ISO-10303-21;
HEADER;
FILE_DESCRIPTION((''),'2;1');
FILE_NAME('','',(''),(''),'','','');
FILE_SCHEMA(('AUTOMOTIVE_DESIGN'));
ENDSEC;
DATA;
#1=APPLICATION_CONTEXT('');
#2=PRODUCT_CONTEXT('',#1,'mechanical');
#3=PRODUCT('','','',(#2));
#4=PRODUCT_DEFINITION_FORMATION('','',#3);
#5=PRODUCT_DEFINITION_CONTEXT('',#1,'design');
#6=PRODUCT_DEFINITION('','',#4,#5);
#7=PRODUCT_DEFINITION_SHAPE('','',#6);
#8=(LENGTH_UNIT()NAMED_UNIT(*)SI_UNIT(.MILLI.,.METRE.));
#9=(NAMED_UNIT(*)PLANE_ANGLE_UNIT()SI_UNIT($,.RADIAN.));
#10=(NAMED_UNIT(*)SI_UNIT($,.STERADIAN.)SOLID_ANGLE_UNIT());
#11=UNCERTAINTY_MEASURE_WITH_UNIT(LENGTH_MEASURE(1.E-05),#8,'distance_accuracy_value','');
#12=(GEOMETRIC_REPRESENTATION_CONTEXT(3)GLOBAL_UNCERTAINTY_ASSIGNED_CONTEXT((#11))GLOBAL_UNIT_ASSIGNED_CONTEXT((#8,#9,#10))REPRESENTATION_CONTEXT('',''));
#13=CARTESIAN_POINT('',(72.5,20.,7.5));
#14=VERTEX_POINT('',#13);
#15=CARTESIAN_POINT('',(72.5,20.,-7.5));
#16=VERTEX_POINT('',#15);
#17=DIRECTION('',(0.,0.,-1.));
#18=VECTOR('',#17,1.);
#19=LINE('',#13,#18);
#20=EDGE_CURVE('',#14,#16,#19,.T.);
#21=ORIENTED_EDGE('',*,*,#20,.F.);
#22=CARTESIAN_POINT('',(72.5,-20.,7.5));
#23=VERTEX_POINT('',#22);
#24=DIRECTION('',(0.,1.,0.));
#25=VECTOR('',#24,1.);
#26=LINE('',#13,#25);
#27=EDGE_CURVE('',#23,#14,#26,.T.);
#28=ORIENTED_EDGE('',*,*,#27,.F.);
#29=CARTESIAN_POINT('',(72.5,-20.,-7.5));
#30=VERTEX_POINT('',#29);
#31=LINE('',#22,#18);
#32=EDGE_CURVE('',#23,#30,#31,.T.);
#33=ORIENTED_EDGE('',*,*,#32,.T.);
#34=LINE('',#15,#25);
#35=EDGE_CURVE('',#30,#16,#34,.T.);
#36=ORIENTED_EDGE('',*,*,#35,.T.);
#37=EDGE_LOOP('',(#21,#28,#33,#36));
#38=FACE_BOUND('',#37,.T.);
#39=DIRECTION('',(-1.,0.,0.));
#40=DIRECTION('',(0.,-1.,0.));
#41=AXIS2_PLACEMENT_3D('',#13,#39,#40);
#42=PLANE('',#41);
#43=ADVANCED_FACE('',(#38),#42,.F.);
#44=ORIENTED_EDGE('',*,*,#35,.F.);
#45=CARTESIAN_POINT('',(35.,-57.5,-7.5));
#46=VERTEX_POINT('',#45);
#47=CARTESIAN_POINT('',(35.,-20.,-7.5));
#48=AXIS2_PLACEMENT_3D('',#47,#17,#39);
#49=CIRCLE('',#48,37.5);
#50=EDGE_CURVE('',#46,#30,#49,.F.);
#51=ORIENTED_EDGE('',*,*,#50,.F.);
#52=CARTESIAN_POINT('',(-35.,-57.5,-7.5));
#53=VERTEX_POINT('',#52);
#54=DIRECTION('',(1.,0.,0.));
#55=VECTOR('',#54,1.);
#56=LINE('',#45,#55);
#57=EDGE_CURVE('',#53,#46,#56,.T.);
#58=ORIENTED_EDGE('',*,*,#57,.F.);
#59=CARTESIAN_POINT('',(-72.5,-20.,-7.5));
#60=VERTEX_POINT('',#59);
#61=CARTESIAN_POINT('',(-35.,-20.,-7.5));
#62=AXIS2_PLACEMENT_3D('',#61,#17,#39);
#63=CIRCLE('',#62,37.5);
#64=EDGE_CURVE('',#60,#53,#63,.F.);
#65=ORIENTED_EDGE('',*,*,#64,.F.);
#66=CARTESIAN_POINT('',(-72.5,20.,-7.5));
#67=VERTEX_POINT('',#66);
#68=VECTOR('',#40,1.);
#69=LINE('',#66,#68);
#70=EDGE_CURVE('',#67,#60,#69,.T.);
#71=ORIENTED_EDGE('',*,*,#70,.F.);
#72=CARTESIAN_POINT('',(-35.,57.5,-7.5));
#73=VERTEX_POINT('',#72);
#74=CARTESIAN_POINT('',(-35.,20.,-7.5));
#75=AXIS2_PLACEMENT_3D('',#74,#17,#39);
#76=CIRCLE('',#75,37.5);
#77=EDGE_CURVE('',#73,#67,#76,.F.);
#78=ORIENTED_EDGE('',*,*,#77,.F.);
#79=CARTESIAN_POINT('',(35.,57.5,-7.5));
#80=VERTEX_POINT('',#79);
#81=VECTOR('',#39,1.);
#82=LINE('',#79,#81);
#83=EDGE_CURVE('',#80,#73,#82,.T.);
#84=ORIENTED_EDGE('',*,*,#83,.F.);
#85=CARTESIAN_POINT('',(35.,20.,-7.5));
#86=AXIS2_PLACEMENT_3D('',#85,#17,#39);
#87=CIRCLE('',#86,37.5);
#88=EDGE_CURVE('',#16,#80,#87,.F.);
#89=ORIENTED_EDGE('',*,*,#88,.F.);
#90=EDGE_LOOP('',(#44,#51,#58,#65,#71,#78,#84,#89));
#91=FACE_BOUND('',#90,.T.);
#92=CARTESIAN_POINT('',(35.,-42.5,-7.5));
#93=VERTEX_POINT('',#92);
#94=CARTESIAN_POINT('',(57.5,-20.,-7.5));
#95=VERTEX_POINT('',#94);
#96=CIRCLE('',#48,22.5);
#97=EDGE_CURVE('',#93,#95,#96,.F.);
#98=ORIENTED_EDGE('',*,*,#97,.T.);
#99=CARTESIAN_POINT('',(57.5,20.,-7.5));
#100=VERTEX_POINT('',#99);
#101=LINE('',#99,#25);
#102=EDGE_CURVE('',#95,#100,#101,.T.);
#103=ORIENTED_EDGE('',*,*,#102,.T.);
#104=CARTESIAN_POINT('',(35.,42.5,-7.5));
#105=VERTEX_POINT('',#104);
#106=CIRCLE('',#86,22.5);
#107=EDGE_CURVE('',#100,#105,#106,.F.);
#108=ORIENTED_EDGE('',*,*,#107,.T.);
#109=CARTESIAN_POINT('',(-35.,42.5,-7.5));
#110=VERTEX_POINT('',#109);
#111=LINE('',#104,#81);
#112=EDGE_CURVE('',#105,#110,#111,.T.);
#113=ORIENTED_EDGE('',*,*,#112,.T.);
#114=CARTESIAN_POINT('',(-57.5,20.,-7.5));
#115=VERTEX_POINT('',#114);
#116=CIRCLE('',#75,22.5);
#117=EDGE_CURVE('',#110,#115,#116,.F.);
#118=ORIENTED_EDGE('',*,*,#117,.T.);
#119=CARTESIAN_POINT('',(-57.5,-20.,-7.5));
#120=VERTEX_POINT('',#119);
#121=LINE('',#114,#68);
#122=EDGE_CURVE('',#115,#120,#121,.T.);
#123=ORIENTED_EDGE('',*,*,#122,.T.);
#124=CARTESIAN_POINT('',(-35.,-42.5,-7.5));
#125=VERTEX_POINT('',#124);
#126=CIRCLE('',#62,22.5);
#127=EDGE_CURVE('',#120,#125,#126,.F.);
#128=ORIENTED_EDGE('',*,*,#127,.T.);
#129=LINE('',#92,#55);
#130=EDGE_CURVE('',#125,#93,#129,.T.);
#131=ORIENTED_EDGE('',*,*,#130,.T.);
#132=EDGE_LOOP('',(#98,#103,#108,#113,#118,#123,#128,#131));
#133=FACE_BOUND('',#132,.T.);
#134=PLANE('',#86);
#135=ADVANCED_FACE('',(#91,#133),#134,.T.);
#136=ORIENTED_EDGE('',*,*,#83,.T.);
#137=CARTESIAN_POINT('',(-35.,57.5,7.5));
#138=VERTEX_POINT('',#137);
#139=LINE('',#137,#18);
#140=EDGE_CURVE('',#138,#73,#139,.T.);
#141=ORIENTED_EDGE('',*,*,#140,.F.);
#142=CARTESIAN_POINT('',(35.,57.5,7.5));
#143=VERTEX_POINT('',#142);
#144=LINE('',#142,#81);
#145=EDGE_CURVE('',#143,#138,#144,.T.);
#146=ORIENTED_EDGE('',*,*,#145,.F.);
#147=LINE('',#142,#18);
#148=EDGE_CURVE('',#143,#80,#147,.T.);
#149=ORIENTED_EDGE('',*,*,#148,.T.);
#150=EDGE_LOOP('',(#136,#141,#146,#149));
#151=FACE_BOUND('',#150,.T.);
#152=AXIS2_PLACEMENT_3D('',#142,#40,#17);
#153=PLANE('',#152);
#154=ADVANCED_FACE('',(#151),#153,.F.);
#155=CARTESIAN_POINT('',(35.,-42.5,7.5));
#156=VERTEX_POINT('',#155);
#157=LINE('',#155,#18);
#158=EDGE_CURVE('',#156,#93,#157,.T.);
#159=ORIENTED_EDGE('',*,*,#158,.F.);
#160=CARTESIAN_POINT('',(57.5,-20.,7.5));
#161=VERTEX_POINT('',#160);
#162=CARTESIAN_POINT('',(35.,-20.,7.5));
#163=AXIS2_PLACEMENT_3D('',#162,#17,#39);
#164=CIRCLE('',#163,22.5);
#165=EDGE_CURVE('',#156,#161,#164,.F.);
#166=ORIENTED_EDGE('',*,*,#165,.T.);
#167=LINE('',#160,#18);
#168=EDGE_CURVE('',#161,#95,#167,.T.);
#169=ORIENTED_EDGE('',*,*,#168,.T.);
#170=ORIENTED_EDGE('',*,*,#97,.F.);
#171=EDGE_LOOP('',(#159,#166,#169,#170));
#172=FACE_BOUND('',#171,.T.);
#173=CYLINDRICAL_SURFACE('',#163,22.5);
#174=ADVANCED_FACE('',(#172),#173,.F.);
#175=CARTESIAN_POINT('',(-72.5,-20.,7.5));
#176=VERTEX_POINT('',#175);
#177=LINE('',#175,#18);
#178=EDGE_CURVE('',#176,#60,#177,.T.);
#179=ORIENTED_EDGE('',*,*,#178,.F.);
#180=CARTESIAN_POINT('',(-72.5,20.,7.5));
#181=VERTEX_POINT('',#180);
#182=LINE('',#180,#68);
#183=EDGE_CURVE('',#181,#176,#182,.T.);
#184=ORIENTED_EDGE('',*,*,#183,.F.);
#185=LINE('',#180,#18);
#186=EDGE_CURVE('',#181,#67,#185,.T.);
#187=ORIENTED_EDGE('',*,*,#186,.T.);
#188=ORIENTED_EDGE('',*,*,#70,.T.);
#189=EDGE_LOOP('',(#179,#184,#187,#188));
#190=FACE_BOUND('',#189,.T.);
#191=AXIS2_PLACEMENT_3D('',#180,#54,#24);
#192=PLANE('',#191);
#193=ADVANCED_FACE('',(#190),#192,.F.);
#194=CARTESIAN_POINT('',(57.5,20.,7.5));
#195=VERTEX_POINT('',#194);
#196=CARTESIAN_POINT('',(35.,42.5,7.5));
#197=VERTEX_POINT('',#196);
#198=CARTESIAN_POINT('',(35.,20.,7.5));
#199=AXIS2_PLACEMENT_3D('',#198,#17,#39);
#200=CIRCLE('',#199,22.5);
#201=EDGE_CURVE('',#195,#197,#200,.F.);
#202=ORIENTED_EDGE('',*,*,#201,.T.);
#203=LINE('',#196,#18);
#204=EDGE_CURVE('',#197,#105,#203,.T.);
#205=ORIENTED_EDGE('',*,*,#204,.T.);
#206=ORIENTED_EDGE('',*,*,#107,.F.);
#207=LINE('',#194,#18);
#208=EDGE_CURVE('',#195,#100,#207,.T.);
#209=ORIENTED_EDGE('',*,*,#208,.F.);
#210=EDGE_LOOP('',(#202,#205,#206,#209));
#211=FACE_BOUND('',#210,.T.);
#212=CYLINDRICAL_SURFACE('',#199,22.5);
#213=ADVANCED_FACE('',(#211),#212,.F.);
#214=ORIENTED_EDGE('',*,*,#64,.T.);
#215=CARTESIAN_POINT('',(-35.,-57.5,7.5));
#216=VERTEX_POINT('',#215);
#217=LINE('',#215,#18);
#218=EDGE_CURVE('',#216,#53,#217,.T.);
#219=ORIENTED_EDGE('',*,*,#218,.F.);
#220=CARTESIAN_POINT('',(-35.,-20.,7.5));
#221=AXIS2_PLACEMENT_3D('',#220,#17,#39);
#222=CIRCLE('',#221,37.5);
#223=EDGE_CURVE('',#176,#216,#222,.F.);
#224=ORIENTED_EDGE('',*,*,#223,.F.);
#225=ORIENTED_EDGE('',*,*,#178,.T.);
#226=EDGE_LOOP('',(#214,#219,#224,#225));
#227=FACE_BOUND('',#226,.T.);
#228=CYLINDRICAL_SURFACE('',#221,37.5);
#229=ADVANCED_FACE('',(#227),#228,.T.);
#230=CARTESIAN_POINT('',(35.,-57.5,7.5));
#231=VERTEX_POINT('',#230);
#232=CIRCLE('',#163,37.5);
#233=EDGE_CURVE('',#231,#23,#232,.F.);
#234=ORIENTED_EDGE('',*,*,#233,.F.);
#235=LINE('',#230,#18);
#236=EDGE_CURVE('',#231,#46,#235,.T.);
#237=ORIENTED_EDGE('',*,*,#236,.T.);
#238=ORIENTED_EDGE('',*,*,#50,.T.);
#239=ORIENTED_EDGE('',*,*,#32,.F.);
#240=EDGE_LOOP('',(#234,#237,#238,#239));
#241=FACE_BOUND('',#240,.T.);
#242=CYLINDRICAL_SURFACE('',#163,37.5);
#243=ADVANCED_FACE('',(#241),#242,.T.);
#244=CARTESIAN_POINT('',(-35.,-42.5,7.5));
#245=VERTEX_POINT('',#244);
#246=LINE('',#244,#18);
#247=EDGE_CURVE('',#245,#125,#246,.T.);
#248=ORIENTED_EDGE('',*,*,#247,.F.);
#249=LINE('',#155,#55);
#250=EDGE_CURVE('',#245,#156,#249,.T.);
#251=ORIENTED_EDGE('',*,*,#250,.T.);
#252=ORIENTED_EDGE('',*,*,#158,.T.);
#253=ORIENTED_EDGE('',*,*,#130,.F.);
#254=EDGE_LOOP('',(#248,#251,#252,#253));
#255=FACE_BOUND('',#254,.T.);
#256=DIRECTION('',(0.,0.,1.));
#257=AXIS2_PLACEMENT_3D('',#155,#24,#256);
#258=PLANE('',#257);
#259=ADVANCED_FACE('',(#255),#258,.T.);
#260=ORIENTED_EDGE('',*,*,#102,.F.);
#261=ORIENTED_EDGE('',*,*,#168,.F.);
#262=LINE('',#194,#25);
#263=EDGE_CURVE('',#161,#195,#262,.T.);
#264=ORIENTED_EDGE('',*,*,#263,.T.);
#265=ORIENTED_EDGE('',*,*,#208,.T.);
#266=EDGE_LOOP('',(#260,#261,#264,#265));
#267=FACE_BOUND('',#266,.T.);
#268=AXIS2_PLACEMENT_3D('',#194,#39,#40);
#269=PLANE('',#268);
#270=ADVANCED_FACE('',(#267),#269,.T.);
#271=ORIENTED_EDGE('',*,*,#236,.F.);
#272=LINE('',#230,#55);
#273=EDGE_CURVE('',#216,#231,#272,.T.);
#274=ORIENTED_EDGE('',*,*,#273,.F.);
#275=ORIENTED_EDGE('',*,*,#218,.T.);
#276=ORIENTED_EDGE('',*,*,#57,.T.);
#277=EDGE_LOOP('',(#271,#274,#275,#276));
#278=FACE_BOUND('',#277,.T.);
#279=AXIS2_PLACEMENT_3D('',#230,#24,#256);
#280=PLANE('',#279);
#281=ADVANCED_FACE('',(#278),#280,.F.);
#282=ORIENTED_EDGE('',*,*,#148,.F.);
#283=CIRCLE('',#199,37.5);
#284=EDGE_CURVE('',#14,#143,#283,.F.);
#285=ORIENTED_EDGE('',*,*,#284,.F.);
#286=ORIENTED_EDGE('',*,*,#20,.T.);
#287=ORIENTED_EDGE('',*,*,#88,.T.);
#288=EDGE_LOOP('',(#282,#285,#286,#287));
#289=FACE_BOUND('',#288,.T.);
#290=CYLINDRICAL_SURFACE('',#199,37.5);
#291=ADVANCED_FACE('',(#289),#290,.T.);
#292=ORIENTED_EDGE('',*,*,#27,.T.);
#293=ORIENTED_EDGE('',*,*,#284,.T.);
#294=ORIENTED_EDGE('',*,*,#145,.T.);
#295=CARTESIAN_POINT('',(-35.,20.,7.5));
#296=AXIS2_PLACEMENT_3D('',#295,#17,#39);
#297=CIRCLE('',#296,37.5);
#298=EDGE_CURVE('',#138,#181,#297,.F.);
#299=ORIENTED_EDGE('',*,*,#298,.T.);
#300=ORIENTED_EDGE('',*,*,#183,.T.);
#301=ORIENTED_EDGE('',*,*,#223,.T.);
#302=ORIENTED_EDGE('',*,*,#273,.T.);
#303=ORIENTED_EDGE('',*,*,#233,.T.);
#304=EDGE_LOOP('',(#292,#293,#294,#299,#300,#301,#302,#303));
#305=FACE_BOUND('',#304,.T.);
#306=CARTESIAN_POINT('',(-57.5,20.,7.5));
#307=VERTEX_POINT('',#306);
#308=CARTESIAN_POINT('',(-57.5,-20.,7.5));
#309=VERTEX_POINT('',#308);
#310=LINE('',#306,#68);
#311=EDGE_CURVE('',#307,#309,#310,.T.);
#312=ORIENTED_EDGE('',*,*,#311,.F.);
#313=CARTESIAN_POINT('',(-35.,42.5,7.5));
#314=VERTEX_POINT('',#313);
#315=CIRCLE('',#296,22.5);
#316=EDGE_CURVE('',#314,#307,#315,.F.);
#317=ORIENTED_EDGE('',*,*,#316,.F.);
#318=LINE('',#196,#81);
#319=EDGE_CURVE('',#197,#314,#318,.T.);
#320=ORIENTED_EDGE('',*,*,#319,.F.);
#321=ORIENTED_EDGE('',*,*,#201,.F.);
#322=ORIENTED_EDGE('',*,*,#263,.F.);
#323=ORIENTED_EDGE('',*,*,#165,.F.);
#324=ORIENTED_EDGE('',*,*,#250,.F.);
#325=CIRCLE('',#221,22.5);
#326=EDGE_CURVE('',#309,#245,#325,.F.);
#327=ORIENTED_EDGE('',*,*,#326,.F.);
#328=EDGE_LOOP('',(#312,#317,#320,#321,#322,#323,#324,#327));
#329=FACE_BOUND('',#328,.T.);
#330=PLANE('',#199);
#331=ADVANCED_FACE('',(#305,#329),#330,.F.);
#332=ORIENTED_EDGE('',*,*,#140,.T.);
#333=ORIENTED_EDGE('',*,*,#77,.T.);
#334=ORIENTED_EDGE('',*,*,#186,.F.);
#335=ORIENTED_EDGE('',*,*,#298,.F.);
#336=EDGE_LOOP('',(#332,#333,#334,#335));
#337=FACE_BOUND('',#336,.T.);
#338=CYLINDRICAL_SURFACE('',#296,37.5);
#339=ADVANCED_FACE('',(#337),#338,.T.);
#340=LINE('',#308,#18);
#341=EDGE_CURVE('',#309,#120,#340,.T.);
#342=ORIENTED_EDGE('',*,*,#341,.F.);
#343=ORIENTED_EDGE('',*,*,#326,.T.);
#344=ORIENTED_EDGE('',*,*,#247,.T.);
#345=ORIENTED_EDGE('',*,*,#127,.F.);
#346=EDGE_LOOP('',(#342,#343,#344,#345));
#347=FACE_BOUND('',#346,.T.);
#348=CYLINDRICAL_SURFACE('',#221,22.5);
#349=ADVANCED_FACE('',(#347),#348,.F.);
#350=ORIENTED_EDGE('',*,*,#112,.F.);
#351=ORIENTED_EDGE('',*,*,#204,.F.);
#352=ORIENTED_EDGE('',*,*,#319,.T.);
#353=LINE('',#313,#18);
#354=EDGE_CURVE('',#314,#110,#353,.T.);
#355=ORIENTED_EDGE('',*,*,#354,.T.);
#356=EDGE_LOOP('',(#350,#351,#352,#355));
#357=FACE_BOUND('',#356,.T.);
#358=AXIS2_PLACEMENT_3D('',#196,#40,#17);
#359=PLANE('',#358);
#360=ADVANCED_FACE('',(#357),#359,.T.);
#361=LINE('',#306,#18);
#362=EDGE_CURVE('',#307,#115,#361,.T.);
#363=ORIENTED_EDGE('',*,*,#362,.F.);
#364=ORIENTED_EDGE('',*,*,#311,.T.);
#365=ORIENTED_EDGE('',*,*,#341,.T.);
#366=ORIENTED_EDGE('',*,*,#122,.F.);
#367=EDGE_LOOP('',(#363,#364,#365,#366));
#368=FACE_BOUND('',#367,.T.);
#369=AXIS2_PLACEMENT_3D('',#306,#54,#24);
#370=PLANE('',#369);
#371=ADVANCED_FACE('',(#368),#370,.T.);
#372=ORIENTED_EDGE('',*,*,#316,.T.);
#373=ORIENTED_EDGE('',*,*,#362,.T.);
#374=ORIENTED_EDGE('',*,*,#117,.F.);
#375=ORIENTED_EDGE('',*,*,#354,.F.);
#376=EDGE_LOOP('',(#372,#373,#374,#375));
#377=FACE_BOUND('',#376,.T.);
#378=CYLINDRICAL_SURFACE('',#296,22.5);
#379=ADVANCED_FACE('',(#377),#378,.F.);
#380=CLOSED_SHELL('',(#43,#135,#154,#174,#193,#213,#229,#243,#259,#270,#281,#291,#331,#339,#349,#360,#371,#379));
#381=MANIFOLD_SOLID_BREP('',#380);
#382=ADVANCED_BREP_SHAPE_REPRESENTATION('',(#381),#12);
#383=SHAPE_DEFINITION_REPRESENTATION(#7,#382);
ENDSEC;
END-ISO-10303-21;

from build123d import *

# Parameters (mm, degrees)
EXTRUDE_THIN1_DEPTH = 7.5


with BuildPart() as part:
    # Sketch1 → Extrude-Thin1 (new, symmetric)
    with BuildSketch(Plane.XY):
        with BuildLine():
            Line((-35, 57.5), (35, 57.5))
            ThreePointArc((35, 57.5), (61.516504294, 46.516504294), (72.5, 20))
            Line((72.5, 20), (72.5, -20))
            ThreePointArc((72.5, -20), (61.516504294, -46.516504294), (35, -57.5))
            Line((35, -57.5), (-35, -57.5))
            ThreePointArc((-35, -57.5), (-61.516504294, -46.516504294), (-72.5, -20))
            Line((-72.5, -20), (-72.5, 20))
            ThreePointArc((-72.5, 20), (-61.516504294, 46.516504294), (-35, 57.5))
        make_face()
        with BuildLine():
            Line((-35, 42.5), (35, 42.5))
            ThreePointArc((35, 42.5), (50.909902577, 35.909902577), (57.5, 20))
            Line((57.5, 20), (57.5, -20))
            ThreePointArc((57.5, -20), (50.909902577, -35.909902577), (35, -42.5))
            Line((35, -42.5), (-35, -42.5))
            ThreePointArc((-35, -42.5), (-50.909902577, -35.909902577), (-57.5, -20))
            Line((-57.5, -20), (-57.5, 20))
            ThreePointArc((-57.5, 20), (-50.909902577, 35.909902577), (-35, 42.5))
        make_face(mode=Mode.SUBTRACT)
    extrude(amount=EXTRUDE_THIN1_DEPTH, both=True)


solid = part.part
